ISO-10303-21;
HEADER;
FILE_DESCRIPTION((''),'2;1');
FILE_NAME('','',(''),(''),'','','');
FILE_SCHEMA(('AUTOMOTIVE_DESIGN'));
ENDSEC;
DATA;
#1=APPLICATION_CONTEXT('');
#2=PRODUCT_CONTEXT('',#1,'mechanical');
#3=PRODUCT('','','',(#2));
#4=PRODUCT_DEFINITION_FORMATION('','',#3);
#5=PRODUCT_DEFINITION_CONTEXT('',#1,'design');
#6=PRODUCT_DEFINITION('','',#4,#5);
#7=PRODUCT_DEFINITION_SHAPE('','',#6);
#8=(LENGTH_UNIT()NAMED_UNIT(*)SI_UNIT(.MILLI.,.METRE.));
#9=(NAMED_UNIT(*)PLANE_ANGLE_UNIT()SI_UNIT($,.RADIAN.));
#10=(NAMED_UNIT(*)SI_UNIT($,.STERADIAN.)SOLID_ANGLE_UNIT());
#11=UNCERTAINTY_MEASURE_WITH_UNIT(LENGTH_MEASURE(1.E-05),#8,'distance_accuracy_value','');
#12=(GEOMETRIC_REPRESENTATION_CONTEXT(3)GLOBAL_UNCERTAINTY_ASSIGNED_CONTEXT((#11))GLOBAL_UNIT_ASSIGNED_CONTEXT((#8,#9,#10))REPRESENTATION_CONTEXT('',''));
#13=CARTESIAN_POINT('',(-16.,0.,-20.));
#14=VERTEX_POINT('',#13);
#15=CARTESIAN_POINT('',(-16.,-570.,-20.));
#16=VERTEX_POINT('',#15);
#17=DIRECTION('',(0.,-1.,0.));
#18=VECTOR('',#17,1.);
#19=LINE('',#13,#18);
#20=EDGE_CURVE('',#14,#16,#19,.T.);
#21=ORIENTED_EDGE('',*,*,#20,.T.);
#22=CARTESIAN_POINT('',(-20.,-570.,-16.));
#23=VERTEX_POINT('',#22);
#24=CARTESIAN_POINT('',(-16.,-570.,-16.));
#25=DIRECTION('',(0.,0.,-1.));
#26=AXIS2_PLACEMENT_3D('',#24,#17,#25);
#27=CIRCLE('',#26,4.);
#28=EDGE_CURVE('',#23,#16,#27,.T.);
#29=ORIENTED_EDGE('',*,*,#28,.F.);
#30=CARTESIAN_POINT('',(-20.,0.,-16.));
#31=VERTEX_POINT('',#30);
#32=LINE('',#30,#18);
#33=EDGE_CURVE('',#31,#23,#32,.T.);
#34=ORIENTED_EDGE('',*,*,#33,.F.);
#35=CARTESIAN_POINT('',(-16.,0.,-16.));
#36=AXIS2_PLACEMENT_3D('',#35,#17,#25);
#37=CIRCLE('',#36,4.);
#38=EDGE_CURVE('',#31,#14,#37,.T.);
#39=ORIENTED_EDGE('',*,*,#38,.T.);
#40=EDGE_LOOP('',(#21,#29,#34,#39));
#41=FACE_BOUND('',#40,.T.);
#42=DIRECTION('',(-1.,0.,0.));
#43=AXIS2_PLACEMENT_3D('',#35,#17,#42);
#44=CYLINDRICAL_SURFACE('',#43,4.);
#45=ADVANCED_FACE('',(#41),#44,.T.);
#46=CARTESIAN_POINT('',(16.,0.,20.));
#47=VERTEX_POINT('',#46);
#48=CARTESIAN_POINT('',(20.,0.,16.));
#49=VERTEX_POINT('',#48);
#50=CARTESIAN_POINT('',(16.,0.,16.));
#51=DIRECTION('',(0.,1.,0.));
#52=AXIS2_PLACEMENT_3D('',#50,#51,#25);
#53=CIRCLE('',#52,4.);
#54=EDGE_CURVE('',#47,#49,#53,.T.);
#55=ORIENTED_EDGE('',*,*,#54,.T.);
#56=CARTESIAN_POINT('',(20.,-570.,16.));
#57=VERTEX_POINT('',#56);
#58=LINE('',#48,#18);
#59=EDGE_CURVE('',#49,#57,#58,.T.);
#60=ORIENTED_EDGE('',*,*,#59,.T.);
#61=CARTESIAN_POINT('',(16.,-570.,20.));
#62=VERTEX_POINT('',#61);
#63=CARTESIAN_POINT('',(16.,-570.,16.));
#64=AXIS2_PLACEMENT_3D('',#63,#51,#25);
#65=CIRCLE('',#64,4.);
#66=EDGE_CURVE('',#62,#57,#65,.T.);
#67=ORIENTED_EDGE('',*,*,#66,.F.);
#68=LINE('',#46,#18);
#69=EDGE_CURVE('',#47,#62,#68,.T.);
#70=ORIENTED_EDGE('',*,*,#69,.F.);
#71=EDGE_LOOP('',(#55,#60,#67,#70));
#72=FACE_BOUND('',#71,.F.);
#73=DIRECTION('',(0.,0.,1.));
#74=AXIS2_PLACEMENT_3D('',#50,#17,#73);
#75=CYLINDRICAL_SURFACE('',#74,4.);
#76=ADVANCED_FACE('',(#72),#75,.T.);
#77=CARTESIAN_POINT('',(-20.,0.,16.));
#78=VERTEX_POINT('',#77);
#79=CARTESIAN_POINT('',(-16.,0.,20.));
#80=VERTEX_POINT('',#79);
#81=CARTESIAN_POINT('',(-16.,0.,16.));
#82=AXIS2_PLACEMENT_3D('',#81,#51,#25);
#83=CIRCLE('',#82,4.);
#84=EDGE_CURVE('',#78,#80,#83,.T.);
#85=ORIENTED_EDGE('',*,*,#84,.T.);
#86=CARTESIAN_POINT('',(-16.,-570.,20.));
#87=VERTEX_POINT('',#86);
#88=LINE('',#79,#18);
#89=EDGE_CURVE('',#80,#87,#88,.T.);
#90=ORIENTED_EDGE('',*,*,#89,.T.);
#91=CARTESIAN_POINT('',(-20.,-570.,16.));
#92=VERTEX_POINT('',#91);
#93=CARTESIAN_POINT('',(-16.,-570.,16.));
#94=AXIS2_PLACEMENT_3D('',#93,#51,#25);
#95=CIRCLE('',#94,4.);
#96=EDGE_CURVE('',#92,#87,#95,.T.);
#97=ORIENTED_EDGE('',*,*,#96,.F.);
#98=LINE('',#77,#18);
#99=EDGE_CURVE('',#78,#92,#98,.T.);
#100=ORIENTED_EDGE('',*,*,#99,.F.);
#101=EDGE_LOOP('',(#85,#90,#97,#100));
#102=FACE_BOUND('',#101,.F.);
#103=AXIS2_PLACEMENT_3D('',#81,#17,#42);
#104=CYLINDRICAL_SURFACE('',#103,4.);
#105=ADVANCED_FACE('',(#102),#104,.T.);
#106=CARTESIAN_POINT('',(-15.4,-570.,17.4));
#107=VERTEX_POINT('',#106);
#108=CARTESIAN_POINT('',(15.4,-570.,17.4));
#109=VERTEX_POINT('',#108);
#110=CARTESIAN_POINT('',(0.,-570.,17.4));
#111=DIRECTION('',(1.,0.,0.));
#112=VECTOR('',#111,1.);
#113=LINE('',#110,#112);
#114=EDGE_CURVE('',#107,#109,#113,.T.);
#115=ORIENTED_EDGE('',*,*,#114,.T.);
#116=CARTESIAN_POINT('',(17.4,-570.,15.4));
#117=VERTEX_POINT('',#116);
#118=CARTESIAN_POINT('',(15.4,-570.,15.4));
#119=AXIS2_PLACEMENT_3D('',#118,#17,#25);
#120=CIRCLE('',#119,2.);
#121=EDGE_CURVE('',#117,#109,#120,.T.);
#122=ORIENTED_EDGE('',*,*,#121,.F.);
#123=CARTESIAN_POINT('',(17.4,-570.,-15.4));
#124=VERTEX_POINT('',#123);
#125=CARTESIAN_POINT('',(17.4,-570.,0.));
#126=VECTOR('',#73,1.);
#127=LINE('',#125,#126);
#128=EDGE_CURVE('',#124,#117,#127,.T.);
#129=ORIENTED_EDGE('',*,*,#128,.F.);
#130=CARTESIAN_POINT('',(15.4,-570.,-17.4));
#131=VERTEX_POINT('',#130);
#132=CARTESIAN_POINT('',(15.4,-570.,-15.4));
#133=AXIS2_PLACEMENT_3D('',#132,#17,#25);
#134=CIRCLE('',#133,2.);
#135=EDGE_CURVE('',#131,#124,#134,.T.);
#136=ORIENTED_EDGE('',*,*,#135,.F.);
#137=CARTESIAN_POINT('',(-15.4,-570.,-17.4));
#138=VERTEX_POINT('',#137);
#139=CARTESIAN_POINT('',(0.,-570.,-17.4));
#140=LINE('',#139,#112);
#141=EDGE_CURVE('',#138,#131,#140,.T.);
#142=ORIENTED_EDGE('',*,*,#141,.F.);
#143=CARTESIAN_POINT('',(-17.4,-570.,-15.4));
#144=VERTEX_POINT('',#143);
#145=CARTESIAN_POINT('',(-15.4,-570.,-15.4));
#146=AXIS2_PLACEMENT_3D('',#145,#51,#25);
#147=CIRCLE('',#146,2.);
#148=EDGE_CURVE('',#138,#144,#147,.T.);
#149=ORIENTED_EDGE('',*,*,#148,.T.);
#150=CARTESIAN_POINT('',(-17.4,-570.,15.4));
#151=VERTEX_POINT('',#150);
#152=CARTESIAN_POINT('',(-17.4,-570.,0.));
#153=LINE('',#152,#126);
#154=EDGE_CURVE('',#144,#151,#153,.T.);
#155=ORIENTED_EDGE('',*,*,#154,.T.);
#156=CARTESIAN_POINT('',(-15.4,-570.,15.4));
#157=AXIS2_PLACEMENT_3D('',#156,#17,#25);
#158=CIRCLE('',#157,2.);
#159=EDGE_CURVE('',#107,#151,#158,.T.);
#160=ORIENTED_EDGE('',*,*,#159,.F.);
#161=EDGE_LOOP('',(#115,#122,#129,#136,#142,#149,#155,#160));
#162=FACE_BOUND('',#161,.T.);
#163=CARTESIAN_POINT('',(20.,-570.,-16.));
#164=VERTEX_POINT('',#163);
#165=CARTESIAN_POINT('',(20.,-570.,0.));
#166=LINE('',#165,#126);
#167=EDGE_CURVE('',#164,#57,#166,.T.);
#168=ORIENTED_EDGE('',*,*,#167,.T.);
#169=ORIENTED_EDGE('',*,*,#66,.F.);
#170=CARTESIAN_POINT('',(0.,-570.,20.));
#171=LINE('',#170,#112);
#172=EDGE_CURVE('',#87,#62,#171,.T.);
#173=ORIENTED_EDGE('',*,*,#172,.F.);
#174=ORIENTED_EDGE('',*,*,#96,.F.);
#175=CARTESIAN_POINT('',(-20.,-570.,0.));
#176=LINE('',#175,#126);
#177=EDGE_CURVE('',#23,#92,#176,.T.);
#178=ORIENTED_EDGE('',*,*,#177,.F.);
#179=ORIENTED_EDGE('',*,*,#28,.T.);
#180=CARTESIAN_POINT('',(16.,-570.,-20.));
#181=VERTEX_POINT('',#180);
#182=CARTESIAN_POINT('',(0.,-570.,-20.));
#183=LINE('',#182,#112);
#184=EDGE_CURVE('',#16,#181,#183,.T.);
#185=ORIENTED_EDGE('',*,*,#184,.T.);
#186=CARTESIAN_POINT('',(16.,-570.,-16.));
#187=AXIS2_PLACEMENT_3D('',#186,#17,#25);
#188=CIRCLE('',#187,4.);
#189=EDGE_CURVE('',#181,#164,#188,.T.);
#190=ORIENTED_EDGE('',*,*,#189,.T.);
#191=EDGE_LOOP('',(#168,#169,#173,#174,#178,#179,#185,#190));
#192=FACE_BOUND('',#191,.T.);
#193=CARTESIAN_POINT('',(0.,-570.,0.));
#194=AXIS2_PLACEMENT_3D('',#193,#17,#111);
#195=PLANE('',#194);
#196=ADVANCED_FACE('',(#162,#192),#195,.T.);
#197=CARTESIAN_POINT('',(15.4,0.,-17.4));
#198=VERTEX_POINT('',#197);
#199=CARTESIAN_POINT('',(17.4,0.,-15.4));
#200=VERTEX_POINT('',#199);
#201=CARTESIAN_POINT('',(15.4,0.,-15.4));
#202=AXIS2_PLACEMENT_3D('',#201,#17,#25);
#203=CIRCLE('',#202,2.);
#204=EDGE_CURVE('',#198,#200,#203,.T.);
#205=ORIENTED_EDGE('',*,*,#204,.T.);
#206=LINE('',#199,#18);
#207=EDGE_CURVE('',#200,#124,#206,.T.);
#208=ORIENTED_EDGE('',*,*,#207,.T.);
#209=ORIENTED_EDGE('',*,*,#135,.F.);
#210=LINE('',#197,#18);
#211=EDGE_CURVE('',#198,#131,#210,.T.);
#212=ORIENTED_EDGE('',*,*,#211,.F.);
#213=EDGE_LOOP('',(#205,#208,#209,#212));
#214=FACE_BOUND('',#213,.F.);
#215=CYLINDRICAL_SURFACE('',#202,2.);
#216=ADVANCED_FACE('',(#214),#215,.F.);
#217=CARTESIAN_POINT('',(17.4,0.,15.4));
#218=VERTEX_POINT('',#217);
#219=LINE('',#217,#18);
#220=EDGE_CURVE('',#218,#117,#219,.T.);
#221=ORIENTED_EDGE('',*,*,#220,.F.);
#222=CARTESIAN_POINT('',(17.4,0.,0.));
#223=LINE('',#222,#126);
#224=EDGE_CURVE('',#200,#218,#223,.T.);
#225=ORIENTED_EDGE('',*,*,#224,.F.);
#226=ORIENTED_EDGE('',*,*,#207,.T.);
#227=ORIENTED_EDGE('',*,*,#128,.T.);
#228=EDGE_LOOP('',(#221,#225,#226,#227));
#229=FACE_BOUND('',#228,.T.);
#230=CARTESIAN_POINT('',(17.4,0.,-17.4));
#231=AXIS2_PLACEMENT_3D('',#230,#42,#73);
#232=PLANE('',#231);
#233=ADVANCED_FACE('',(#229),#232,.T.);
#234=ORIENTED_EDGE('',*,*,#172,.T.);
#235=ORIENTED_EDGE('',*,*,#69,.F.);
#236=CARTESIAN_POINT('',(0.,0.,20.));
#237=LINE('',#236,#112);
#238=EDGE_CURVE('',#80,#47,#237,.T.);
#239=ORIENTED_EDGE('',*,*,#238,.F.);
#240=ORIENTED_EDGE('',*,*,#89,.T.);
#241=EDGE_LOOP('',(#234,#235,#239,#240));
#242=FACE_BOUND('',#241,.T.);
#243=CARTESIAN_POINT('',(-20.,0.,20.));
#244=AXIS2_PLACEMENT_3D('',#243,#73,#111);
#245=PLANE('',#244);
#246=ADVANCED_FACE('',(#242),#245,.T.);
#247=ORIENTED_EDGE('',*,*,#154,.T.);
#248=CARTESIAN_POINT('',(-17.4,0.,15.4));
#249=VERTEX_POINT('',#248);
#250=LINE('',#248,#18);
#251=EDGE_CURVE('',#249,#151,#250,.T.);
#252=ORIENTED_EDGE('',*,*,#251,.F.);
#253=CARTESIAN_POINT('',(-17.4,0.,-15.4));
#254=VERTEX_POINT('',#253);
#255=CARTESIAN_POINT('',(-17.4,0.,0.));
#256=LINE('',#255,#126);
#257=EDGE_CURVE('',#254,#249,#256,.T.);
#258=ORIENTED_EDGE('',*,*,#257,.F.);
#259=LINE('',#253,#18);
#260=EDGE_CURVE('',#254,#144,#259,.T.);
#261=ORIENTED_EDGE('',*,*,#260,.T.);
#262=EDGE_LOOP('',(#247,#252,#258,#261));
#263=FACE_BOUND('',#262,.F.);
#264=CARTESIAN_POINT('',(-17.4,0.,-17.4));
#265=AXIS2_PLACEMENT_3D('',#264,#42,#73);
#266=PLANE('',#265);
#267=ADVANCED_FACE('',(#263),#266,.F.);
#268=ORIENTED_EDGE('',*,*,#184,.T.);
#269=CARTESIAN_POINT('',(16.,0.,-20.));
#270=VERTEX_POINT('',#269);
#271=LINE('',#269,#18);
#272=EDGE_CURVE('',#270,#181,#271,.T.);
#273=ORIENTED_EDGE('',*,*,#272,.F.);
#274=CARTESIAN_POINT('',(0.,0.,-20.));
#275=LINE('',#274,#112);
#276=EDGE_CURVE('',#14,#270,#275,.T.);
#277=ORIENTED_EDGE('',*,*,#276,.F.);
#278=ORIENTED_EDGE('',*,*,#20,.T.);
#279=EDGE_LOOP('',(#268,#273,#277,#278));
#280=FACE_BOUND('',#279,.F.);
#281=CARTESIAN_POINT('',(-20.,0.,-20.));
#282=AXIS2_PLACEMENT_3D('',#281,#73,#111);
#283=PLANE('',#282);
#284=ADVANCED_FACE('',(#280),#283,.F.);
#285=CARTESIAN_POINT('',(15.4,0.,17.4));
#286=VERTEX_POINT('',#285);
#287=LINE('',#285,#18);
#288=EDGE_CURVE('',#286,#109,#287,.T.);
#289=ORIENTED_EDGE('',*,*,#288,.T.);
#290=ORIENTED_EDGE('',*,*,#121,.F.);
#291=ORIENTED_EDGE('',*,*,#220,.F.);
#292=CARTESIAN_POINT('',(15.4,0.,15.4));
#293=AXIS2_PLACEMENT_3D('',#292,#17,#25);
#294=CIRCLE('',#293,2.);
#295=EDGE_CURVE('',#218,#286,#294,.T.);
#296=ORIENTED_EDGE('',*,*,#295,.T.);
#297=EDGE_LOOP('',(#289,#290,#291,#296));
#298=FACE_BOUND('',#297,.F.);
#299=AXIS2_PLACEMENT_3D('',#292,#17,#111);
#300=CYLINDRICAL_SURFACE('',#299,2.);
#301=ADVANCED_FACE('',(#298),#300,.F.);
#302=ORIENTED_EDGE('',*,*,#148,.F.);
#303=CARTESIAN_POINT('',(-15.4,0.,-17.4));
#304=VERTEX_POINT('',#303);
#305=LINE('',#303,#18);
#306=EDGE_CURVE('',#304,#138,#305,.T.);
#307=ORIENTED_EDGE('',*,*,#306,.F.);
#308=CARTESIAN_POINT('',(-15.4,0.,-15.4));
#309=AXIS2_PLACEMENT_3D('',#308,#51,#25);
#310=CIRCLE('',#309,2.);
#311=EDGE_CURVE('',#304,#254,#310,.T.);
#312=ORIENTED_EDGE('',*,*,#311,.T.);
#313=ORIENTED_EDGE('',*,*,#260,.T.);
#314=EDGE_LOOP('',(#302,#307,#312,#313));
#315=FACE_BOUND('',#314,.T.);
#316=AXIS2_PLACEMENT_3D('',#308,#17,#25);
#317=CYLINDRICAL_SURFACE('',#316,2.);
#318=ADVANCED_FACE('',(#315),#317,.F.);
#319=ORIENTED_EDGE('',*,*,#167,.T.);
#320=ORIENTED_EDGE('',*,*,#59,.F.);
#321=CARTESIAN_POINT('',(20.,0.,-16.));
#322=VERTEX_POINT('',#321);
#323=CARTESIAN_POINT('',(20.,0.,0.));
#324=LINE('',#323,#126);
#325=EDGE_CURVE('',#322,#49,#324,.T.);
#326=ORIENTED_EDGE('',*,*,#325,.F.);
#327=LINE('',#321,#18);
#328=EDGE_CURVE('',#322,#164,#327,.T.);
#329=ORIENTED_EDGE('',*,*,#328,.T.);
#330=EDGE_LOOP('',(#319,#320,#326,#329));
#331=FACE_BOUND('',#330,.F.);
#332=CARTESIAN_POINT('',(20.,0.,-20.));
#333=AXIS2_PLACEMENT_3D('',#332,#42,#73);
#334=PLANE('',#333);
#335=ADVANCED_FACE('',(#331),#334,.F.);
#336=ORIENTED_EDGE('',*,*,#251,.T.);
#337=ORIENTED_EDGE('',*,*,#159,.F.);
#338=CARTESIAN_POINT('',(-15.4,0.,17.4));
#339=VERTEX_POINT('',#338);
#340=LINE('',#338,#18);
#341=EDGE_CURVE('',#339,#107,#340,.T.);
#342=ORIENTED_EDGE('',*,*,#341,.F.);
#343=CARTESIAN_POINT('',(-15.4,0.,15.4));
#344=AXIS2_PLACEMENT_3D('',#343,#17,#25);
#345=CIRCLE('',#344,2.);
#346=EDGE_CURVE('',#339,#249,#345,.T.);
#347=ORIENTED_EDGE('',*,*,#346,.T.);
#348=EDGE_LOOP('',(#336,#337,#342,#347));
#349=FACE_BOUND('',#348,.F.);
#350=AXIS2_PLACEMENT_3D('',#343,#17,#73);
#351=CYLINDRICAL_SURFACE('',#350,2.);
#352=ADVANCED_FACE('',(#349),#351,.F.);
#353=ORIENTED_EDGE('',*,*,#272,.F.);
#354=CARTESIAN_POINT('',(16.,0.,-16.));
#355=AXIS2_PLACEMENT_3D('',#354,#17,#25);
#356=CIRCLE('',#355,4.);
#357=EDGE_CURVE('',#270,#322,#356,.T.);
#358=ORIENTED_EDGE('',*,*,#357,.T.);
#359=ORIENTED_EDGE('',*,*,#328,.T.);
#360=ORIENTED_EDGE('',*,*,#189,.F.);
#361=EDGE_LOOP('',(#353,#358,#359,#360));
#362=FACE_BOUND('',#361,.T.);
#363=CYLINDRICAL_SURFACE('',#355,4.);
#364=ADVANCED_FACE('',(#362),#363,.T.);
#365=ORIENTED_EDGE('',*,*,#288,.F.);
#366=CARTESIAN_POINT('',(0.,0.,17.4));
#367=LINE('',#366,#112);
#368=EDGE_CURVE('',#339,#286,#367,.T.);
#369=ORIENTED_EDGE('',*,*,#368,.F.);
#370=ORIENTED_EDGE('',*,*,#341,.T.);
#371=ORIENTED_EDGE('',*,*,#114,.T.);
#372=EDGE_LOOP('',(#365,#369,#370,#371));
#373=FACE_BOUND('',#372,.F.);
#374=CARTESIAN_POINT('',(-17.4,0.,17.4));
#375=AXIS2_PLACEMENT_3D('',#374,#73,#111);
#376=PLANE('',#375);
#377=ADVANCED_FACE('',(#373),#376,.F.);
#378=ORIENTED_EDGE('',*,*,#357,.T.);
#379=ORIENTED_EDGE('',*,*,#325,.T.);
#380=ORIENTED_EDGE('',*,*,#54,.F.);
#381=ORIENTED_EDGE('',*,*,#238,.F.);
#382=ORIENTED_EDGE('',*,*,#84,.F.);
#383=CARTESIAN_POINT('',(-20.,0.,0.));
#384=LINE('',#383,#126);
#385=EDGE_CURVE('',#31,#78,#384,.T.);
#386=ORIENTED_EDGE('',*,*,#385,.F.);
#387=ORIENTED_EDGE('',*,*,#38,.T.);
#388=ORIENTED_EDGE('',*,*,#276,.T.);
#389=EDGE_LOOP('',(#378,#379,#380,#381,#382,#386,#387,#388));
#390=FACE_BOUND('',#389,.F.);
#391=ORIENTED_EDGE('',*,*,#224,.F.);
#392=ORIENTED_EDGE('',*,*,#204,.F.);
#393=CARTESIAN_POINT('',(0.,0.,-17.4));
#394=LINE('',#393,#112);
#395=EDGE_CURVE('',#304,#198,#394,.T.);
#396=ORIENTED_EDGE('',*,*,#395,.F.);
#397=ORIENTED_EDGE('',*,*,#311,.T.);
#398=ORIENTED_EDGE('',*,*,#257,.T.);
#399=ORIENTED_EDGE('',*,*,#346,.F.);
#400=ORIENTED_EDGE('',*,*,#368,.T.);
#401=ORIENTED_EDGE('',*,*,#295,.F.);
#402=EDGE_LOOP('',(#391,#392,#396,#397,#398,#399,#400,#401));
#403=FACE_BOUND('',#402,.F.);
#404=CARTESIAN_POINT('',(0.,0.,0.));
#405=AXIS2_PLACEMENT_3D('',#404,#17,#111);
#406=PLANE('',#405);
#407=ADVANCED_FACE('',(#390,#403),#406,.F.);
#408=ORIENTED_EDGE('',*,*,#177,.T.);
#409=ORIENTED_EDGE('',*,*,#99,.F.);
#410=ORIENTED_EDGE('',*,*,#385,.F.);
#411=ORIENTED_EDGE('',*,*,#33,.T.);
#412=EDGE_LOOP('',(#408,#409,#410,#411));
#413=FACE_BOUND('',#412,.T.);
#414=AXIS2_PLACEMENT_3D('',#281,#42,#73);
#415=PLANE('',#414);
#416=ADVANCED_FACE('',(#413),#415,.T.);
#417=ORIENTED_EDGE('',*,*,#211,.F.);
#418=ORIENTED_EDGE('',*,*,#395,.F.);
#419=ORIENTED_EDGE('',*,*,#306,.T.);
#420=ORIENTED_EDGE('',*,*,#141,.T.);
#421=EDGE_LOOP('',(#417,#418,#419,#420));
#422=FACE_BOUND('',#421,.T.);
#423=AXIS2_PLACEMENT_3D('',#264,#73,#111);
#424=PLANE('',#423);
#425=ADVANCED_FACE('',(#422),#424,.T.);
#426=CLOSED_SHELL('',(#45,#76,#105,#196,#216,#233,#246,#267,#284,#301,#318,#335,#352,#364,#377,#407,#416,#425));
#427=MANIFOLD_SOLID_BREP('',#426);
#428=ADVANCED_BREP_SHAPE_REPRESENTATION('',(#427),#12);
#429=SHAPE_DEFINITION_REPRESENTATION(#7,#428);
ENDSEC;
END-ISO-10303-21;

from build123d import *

# Parameters (mm, degrees)
F0_W     = 40
F0_H     = 40
F0_W_2   = 34.8
F0_H_2   = 34.8
F1_DEPTH = 570
F2_R     = 2
F3_R     = 4


with BuildPart() as f1:
    # F0 (on Front) → F1 (new body)
    with BuildSketch(Plane.XZ):
        Rectangle(F0_W, F0_H)
        Rectangle(F0_W_2, F0_H_2, mode=Mode.SUBTRACT)
    extrude(amount=F1_DEPTH)

    # F2
    f2_edges = [f1.edges().sort_by_distance(p)[0] for p in [
        (-17.4, -285, -17.4),
        (-17.4, -285, 17.4),
        (17.4, -285, 17.4),
        (17.4, -285, -17.4),
    ]]
    fillet(f2_edges, radius=F2_R)

    # F3
    f3_edges = [f1.edges().sort_by_distance(p)[0] for p in [
        (20, -285, 20),
        (-20, -285, 20),
        (20, -285, -20),
        (-20, -285, -20),
    ]]
    fillet(f3_edges, radius=F3_R)


solid = f1.part
